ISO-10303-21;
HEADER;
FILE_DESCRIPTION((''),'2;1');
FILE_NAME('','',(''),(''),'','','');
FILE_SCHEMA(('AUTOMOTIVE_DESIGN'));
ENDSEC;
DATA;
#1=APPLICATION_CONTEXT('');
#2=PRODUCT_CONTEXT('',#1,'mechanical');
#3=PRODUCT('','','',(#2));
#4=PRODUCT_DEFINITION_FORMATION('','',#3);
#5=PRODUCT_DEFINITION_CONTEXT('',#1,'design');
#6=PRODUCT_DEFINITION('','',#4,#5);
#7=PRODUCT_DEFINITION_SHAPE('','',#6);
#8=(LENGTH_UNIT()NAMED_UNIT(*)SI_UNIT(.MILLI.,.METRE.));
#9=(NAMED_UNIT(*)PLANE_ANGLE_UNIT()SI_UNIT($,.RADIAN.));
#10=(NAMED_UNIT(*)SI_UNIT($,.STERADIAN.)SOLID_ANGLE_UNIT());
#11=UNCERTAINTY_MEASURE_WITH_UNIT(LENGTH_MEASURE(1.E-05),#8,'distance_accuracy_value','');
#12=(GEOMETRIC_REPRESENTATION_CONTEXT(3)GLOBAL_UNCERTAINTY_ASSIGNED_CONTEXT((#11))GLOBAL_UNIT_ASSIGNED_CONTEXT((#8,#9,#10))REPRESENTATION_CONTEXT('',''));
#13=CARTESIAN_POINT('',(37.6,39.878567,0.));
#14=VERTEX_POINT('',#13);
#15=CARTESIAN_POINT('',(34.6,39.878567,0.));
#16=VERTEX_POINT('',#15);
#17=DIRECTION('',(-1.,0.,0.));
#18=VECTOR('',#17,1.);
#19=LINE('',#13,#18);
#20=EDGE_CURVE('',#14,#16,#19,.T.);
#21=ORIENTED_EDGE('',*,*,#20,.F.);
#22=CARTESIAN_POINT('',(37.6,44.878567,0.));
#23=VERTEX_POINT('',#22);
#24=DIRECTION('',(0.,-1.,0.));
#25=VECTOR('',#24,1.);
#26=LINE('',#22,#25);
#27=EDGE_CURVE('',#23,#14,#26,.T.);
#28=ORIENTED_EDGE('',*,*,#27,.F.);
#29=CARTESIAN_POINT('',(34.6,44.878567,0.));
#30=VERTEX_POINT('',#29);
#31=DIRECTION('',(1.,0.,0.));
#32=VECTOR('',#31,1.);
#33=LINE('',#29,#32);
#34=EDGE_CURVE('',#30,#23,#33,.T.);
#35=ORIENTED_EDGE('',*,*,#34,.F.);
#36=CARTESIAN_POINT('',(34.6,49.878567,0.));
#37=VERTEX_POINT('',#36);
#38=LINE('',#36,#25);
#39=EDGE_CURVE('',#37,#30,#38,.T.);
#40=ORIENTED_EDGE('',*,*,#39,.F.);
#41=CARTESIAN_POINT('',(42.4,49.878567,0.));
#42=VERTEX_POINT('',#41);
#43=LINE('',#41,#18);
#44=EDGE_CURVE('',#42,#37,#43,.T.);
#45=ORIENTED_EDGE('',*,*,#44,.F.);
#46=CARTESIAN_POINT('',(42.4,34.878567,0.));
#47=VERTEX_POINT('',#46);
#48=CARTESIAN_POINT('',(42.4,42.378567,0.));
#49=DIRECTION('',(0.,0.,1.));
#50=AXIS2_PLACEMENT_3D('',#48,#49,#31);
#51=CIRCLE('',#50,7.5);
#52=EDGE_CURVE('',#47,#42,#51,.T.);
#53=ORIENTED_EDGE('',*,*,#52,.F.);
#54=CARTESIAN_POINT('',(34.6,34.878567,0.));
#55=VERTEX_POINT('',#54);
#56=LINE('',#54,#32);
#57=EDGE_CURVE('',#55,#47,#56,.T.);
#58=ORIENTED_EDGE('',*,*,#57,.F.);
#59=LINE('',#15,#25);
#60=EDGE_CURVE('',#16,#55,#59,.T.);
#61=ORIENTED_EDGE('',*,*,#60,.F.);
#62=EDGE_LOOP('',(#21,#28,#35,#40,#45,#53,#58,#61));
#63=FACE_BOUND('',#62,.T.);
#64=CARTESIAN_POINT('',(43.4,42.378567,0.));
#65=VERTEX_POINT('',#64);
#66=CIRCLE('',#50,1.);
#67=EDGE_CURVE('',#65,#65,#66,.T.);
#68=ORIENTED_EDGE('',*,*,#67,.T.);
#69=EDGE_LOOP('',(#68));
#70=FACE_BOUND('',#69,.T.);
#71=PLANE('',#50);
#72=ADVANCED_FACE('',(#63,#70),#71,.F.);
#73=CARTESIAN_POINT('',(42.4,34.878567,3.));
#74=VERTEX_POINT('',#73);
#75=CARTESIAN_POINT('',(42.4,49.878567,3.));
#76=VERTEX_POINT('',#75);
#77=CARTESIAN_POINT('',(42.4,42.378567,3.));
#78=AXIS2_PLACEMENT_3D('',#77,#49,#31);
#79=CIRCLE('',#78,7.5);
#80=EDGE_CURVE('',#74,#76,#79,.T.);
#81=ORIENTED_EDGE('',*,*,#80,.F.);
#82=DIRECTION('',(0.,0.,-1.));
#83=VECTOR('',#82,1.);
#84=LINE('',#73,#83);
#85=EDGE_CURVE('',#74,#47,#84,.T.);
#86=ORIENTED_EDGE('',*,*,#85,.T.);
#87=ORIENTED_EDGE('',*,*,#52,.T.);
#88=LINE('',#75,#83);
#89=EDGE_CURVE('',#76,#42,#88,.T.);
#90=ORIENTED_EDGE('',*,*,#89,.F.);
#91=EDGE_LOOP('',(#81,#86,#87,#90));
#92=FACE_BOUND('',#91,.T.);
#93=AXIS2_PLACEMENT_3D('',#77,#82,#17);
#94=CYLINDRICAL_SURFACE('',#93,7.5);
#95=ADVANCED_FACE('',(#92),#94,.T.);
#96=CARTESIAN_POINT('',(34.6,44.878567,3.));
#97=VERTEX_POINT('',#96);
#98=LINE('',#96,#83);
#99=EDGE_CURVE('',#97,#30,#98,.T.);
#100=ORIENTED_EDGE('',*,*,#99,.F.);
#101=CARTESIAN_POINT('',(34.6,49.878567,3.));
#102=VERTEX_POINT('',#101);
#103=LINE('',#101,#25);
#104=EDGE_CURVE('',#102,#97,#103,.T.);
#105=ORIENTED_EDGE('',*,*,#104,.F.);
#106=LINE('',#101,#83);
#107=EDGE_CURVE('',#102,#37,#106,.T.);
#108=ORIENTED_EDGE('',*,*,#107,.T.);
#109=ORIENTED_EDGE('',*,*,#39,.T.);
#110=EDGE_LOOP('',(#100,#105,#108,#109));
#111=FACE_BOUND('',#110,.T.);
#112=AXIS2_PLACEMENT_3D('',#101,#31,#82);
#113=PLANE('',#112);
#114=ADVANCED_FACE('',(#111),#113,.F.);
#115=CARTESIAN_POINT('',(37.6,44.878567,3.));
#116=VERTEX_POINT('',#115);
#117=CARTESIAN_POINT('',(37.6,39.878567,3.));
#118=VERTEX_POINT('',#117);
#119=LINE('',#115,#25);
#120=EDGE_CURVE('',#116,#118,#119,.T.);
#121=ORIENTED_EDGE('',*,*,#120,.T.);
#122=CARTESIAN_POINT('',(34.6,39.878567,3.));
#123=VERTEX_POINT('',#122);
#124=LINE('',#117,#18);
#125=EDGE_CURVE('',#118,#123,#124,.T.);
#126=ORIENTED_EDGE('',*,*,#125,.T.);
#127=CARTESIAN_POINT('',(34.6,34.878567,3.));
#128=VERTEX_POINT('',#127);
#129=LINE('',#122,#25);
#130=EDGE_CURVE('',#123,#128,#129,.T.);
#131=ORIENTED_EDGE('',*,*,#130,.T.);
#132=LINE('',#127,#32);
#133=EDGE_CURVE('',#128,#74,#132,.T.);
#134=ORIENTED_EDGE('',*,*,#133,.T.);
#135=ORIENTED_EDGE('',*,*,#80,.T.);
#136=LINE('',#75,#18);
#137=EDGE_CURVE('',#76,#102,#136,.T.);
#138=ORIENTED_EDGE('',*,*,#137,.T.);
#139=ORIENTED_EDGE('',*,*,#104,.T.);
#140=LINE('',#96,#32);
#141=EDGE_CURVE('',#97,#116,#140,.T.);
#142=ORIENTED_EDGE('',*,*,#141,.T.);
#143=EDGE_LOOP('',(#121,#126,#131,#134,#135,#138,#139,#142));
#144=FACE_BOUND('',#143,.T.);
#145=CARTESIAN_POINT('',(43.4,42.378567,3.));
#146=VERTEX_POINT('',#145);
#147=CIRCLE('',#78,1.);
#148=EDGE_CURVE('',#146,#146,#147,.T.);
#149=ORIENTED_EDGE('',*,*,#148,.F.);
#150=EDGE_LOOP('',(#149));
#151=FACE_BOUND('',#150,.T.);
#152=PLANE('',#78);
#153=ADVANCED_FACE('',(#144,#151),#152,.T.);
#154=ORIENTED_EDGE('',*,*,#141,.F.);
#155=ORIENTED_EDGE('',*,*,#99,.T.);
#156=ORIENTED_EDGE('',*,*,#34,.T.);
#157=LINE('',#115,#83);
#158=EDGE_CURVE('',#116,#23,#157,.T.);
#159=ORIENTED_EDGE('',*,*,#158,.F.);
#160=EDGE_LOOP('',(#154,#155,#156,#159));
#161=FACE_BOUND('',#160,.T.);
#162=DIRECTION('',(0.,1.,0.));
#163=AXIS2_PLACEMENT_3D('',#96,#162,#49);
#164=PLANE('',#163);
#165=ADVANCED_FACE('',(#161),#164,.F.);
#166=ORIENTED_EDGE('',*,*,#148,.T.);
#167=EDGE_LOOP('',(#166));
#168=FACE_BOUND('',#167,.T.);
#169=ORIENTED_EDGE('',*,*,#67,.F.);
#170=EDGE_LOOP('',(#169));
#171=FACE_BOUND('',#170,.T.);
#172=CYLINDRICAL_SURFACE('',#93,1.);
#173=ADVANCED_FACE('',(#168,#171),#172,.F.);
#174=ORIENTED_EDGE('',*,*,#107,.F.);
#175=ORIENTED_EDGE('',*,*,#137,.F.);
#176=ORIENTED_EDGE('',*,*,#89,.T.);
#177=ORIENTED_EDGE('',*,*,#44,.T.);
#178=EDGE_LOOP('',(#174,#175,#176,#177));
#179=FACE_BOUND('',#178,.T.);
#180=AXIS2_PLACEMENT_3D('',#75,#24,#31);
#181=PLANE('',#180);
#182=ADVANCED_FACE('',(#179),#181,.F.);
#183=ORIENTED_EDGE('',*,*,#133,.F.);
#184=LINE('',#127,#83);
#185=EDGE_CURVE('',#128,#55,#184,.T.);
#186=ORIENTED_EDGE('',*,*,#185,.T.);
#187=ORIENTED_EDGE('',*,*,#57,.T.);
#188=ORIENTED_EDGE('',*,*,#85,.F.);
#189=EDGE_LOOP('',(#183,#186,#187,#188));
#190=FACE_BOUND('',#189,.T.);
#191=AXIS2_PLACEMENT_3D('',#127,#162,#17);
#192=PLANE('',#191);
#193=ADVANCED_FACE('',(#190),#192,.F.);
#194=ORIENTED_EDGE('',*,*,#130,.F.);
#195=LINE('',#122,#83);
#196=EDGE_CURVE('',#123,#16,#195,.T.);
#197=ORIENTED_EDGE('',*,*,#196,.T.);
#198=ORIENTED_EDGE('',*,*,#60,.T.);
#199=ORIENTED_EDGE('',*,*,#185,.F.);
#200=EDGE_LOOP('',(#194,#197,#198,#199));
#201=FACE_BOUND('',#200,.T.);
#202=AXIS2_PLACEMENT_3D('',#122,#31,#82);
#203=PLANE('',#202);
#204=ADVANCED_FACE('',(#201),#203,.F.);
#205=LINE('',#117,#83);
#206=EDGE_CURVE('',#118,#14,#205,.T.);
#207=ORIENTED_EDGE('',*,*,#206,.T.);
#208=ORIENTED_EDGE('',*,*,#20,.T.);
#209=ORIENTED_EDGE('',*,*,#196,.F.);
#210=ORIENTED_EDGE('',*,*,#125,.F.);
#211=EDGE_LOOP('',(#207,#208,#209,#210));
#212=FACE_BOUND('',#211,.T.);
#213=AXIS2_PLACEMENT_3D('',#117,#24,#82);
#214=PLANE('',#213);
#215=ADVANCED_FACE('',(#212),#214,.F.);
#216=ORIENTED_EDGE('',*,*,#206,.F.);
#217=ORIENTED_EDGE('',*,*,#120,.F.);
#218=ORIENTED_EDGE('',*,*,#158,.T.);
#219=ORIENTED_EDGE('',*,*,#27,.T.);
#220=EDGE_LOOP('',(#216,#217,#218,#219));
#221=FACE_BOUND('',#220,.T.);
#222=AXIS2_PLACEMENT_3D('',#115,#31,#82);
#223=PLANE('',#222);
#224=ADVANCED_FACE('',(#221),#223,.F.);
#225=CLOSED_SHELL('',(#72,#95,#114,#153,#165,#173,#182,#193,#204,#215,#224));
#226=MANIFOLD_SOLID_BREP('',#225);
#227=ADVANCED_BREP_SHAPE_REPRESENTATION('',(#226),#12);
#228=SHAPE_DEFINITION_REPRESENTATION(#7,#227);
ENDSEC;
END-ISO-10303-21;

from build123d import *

# Parameters (mm, degrees)
CORTE_EXTERIOR_R        = 1
SALIENTE_EXTRUIR1_DEPTH = 3


with BuildPart() as part:
    # Corte exterior → Saliente-Extruir1 (new body)
    with BuildSketch(Plane.XY):
        with BuildLine():
            Line((42.4, 49.878566683), (34.6, 49.878566683))
            Line((34.6, 49.878566683), (34.6, 44.878566683))
            Line((34.6, 44.878566683), (37.6, 44.878566683))
            Line((37.6, 44.878566683), (37.6, 39.878566683))
            Line((37.6, 39.878566683), (34.6, 39.878566683))
            Line((34.6, 39.878566683), (34.6, 34.878566683))
            Line((34.6, 34.878566683), (42.4, 34.878566683))
            ThreePointArc((42.4, 34.878566683), (49.9, 42.378566683), (42.4, 49.878566683))
        make_face()
        with Locations((42.4, 42.378566683)):
            Circle(CORTE_EXTERIOR_R, mode=Mode.SUBTRACT)
    extrude(amount=SALIENTE_EXTRUIR1_DEPTH)


solid = part.part
